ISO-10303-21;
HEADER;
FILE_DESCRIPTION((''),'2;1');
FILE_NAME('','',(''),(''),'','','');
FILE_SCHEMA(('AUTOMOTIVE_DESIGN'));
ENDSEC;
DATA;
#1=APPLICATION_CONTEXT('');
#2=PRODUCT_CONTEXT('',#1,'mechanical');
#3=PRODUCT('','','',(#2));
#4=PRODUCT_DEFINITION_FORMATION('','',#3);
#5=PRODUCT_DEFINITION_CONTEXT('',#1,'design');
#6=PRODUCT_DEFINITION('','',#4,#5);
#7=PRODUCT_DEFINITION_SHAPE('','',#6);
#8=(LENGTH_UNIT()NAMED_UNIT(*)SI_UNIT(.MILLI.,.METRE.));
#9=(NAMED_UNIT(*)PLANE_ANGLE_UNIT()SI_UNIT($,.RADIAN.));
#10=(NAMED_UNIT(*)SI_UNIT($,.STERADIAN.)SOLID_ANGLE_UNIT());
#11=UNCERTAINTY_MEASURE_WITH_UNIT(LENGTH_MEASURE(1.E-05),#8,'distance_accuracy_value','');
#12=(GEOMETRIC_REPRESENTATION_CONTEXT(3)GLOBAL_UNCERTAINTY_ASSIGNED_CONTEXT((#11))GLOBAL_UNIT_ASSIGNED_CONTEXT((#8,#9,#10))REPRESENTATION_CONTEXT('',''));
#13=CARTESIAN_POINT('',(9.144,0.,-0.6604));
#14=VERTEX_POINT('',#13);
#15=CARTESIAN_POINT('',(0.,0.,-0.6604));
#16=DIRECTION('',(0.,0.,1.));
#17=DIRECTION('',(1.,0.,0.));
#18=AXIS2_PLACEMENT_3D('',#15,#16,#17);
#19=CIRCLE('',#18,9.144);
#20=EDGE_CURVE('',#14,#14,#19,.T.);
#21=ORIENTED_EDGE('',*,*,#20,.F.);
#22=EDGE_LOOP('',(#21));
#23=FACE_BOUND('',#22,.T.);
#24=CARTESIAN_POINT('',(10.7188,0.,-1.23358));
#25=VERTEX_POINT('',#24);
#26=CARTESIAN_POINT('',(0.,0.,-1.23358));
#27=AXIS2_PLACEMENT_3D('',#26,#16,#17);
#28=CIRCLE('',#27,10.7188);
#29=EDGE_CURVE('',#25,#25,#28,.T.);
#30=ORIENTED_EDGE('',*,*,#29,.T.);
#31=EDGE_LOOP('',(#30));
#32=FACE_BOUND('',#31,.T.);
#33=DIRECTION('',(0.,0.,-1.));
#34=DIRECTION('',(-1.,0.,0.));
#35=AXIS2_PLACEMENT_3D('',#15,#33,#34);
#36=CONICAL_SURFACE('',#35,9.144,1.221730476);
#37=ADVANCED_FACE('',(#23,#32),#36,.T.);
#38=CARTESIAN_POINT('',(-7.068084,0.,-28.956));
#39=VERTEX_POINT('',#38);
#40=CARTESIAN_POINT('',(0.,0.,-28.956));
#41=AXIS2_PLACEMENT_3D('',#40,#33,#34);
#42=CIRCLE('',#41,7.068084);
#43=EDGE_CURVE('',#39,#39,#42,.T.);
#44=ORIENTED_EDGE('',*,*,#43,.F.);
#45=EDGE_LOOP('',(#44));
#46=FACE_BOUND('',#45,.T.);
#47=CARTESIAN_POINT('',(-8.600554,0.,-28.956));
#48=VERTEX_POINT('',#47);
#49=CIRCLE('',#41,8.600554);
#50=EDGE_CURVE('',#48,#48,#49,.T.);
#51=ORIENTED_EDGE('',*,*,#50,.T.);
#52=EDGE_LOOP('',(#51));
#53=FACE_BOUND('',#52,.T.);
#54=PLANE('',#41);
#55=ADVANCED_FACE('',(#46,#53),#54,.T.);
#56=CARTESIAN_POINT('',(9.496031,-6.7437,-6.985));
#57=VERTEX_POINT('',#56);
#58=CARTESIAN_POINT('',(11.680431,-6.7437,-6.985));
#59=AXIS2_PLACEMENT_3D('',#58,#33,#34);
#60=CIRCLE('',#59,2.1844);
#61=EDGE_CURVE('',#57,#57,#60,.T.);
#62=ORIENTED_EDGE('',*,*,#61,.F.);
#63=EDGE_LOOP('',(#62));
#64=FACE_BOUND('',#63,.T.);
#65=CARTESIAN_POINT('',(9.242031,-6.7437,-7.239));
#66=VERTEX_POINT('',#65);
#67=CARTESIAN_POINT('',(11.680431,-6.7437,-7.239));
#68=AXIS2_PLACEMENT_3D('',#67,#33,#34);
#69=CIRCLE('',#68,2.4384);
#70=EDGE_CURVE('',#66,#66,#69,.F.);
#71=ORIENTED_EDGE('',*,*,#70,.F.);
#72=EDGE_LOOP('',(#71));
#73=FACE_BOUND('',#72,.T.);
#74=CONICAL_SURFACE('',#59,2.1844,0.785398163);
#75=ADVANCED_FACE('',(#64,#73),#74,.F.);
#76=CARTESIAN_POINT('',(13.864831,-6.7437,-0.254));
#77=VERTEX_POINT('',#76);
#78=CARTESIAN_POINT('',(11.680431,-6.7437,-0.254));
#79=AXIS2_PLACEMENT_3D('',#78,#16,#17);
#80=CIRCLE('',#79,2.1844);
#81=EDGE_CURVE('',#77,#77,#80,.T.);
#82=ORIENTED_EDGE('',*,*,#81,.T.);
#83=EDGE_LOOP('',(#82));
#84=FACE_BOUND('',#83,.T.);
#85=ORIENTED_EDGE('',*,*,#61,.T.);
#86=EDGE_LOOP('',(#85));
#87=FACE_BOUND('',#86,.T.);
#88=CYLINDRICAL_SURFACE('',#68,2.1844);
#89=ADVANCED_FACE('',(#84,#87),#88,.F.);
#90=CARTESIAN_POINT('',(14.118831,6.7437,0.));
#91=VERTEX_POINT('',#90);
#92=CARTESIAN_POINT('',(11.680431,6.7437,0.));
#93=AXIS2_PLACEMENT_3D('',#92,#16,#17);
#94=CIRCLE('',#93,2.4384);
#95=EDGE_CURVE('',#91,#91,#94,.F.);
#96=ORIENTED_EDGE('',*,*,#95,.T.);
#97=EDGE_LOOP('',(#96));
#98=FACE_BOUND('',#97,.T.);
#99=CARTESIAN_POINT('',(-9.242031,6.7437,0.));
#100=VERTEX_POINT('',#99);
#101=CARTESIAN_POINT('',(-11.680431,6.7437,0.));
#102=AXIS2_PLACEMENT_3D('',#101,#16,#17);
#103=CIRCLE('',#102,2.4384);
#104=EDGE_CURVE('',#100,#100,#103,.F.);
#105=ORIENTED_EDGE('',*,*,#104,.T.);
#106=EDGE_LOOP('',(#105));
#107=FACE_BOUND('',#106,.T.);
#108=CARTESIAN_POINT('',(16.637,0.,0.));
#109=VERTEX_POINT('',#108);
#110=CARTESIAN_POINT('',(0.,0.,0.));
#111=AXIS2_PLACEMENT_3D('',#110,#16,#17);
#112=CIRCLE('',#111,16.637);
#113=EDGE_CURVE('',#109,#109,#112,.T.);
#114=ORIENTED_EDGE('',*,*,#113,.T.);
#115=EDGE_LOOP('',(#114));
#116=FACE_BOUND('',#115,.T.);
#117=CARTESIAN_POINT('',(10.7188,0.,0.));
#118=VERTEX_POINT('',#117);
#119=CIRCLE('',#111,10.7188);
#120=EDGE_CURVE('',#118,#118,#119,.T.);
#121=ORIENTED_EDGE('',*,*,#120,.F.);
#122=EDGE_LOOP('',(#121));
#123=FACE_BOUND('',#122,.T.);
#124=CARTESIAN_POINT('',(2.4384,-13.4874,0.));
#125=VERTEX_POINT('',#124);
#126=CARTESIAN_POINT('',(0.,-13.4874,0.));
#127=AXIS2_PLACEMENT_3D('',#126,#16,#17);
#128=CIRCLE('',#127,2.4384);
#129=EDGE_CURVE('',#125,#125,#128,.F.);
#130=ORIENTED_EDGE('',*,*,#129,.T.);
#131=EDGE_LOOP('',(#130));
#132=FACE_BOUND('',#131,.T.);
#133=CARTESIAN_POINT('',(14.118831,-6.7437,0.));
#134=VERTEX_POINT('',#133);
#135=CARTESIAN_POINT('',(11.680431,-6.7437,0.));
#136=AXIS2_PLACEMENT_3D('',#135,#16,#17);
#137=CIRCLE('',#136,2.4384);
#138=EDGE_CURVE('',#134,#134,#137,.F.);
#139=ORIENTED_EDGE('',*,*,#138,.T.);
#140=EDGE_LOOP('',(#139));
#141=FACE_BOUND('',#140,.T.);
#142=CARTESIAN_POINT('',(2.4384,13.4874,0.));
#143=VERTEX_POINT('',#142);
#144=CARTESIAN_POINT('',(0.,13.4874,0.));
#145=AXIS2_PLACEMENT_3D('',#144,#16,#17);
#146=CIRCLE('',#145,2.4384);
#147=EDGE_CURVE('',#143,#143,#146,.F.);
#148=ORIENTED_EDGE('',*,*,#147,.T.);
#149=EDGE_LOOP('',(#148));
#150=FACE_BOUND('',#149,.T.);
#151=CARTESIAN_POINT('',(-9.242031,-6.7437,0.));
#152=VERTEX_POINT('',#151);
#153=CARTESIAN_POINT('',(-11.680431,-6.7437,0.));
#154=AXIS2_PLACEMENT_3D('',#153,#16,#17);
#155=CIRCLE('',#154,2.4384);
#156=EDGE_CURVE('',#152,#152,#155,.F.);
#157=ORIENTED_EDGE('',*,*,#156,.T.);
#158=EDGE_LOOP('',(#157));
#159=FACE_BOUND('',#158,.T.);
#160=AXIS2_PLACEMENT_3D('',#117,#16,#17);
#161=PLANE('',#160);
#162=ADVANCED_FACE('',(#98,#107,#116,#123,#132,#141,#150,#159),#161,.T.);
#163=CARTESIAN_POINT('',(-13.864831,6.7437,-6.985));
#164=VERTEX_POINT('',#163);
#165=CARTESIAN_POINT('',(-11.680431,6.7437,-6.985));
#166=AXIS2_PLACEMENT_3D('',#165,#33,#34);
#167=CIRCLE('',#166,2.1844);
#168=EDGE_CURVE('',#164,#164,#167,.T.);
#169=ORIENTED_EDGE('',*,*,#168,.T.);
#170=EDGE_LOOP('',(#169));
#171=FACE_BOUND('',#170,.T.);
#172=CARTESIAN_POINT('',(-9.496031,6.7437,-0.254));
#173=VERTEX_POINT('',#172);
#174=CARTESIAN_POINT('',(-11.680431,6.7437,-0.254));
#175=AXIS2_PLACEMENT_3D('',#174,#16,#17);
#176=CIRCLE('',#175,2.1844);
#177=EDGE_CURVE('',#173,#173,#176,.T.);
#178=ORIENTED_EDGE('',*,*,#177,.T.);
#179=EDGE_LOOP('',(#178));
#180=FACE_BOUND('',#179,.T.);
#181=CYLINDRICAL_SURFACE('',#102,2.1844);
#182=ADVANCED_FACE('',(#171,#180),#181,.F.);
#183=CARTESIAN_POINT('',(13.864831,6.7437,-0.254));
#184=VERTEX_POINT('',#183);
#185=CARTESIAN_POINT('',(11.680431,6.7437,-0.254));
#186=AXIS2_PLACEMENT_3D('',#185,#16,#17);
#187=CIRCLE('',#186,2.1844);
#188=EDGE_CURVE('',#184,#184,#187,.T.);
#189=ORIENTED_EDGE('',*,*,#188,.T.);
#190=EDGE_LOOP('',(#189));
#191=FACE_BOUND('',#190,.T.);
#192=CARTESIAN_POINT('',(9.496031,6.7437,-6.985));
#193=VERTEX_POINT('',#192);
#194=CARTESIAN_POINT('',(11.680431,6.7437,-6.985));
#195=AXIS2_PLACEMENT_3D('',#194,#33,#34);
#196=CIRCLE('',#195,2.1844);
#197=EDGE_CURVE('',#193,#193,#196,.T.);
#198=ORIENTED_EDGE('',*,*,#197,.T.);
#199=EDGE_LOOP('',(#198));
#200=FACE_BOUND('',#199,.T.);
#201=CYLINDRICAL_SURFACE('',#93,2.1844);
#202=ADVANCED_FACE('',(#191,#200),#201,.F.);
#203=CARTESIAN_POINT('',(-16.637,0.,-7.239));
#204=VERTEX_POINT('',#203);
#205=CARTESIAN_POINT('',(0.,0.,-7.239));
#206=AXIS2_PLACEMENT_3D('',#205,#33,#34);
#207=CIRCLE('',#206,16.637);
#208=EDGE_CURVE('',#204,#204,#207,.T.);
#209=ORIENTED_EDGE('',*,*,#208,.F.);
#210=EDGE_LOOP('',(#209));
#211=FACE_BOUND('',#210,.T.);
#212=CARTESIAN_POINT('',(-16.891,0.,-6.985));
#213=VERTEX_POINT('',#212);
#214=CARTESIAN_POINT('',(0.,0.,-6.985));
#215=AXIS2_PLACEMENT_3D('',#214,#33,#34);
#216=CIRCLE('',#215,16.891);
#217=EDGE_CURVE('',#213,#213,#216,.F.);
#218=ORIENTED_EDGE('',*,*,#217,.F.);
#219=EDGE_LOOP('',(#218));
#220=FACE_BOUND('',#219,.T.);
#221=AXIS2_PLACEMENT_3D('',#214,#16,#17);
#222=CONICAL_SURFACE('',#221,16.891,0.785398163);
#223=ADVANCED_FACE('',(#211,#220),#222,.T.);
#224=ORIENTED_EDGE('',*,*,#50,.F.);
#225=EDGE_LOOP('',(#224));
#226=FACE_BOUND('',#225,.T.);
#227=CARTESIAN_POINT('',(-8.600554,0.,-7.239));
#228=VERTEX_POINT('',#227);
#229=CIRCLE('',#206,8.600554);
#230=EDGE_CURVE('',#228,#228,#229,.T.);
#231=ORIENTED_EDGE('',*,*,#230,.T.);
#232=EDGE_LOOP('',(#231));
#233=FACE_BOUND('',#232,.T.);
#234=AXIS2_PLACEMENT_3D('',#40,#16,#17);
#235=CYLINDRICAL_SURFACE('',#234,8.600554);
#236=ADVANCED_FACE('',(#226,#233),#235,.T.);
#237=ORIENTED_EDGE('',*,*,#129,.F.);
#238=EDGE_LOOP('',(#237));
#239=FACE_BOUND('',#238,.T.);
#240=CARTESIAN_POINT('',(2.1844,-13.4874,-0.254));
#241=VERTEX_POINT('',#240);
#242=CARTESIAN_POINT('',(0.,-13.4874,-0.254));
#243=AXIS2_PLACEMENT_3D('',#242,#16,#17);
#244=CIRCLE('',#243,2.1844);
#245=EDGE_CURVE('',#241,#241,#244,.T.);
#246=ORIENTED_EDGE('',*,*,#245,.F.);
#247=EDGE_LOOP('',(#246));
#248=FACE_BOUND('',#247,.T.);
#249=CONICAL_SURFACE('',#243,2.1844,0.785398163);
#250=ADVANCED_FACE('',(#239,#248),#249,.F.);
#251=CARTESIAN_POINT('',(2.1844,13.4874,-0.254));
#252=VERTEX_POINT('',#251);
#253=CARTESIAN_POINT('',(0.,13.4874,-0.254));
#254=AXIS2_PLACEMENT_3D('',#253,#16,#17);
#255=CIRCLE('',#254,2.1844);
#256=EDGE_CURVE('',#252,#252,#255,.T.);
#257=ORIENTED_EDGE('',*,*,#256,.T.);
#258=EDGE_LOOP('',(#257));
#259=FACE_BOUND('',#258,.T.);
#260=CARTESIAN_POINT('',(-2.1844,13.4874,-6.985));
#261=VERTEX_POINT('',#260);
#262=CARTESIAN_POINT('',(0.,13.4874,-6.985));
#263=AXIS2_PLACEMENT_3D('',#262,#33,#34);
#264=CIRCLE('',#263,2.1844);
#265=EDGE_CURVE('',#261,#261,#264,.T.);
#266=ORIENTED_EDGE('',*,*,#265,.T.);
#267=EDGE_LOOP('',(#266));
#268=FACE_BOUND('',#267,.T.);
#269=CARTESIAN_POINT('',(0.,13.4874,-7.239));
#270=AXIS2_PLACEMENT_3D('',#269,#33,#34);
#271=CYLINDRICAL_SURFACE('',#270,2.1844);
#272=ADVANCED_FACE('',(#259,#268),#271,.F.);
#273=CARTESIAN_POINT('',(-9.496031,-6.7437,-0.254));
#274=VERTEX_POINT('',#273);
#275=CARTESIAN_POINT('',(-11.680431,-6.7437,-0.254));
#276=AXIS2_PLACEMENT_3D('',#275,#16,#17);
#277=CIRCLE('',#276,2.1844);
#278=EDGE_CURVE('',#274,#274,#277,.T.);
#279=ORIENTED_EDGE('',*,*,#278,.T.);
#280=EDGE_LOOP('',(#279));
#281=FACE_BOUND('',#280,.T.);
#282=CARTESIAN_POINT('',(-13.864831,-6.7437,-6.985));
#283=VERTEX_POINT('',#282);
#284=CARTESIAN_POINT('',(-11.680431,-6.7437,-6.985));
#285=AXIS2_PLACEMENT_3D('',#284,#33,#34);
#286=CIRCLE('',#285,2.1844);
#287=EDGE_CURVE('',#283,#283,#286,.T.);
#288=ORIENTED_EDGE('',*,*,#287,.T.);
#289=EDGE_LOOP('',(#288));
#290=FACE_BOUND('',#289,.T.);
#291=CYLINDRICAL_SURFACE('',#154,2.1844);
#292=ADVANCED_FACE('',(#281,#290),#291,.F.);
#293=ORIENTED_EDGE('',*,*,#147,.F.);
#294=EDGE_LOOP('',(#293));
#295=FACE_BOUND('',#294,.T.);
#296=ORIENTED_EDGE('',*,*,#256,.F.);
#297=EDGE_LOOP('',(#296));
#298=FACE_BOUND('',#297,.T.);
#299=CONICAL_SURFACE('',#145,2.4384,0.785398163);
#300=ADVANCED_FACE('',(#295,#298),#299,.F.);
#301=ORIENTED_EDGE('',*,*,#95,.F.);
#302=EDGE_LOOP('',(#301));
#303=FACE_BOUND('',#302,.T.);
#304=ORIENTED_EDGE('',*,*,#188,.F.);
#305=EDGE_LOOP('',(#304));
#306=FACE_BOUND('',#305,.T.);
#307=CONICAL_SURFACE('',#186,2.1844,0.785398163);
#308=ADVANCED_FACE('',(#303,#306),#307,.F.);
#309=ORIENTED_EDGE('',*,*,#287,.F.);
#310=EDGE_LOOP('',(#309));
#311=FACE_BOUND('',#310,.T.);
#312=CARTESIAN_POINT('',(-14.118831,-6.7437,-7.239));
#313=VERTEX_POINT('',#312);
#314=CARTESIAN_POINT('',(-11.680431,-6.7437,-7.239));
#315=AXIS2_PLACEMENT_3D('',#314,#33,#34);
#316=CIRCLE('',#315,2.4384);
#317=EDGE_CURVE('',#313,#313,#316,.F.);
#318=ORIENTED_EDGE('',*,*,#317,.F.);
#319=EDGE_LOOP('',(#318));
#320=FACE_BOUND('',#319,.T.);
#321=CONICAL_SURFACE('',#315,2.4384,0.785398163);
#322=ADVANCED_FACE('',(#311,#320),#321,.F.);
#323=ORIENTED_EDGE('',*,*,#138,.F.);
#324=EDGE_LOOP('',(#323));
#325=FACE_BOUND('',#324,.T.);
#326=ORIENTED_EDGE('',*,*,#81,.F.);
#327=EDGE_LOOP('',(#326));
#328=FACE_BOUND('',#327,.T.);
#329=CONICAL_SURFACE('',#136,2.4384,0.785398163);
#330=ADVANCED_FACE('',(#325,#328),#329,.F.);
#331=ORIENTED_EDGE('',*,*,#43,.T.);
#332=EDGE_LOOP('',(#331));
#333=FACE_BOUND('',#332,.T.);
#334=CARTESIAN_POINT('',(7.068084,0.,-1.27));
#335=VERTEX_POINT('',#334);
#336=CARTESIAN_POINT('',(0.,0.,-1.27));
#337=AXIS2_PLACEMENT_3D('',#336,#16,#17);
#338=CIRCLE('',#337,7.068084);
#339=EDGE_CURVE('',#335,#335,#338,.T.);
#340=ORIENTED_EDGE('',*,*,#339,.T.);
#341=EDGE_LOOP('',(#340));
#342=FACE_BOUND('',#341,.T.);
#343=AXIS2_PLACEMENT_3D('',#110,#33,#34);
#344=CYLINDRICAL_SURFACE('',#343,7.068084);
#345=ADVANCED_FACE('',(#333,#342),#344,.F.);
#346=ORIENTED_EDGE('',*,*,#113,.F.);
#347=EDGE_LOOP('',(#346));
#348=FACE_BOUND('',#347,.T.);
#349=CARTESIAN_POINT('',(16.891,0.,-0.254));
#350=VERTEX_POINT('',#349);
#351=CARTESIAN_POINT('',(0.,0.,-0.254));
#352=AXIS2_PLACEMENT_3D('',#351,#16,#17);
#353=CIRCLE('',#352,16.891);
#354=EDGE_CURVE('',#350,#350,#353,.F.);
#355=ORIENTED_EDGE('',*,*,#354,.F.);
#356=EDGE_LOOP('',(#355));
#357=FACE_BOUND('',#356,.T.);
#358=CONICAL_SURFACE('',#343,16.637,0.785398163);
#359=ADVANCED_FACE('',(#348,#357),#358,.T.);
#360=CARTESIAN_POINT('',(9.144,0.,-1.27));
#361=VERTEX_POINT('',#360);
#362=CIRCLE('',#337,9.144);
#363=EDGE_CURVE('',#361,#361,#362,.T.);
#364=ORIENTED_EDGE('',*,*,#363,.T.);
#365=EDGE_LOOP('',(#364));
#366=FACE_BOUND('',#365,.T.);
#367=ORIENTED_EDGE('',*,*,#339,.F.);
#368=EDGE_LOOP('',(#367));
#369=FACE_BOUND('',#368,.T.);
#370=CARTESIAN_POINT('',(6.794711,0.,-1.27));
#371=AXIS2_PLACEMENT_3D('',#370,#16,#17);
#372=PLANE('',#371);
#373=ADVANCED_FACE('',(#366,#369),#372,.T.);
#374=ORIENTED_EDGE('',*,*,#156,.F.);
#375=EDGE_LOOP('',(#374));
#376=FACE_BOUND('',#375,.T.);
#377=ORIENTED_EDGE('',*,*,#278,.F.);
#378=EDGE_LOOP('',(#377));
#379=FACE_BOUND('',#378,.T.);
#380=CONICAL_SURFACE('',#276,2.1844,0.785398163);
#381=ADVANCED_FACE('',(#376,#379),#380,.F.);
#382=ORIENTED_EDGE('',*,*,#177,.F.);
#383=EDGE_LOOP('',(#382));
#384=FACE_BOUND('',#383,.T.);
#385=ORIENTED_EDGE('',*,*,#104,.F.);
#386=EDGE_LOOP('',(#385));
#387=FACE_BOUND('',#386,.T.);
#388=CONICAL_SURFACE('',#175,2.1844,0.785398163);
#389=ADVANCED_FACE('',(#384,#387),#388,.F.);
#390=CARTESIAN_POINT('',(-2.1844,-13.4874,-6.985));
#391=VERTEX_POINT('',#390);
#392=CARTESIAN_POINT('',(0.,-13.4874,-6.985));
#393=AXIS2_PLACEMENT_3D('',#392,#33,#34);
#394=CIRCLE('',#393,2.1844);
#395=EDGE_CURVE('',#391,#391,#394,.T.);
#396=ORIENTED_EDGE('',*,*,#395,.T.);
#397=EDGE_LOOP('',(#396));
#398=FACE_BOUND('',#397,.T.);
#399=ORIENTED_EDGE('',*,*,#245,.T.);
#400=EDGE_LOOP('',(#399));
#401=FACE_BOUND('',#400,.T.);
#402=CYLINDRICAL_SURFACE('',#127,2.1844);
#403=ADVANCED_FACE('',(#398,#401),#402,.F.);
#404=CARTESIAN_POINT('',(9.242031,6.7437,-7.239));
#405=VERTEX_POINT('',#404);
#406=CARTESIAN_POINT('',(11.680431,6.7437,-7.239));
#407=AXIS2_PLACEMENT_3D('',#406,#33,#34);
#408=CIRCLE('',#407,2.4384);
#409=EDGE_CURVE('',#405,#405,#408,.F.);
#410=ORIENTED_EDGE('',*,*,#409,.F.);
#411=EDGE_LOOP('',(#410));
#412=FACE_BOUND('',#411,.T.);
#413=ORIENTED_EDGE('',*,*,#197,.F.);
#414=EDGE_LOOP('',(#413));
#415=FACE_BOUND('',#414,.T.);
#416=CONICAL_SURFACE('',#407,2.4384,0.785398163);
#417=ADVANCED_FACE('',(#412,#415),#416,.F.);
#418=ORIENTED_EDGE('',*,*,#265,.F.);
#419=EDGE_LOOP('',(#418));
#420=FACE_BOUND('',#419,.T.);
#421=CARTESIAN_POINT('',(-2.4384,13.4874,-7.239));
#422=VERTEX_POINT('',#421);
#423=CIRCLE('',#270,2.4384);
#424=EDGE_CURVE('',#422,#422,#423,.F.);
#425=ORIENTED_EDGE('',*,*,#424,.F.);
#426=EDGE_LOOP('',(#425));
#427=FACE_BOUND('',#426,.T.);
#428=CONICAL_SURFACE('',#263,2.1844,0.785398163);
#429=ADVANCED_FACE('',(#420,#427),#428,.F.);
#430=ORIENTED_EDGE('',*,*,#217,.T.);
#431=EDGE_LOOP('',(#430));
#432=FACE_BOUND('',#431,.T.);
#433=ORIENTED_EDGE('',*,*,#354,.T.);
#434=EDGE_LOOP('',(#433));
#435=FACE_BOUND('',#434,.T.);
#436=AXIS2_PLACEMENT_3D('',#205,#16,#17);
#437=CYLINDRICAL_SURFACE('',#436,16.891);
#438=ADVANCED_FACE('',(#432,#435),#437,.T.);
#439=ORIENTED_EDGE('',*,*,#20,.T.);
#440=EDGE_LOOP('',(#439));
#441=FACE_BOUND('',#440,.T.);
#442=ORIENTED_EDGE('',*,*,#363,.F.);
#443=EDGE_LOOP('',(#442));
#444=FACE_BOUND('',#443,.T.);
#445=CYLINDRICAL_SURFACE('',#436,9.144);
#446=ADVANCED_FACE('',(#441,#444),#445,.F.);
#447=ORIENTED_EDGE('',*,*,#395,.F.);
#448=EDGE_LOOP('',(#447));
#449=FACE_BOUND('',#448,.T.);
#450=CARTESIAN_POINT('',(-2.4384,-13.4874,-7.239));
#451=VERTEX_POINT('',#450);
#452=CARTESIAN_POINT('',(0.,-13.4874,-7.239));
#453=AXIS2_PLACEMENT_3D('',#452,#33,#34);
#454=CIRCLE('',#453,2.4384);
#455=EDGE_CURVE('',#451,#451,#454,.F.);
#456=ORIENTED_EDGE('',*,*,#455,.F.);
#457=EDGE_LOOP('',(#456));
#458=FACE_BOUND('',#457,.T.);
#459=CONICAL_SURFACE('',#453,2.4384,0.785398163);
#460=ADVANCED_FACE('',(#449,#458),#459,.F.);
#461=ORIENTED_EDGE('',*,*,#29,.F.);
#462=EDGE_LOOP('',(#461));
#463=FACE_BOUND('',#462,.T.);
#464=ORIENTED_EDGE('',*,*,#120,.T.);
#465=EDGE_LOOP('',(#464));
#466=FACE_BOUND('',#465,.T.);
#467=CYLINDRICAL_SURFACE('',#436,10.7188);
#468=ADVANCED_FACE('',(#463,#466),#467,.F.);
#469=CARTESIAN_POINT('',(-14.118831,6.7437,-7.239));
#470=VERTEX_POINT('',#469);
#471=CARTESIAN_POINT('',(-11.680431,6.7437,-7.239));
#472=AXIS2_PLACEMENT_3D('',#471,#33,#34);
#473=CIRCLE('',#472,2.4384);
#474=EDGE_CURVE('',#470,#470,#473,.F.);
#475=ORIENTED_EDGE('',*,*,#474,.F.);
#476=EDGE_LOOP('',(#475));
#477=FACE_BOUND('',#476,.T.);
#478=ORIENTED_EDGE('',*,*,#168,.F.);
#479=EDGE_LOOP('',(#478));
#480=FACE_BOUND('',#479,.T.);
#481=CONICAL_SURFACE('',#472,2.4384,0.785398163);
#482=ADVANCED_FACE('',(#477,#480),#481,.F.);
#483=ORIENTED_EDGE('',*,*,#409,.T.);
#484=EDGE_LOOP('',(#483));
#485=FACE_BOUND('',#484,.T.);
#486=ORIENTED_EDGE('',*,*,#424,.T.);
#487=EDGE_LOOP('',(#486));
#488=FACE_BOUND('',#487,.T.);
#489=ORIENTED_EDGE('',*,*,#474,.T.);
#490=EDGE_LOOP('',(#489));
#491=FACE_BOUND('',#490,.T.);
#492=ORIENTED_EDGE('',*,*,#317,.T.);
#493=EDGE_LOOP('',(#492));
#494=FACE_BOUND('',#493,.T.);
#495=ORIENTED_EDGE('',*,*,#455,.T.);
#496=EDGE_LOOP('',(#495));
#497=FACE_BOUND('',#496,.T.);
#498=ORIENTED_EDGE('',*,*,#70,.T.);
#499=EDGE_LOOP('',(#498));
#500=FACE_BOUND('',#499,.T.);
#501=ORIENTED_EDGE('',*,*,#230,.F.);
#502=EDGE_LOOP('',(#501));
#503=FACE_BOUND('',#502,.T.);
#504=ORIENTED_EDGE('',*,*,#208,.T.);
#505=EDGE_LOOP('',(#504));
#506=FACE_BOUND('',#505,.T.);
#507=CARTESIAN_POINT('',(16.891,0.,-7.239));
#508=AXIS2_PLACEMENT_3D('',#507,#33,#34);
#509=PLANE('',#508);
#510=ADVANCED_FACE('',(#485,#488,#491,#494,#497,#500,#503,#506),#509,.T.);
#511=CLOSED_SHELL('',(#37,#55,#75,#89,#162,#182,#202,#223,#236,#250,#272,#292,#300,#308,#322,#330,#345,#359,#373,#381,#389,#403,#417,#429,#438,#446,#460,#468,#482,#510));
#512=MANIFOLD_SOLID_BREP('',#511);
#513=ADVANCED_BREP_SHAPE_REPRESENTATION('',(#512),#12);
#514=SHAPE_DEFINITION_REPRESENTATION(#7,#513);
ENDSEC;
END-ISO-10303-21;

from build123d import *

# Parameters (mm, degrees)
M8_CLEARANCE_HOLE1_D     = 9.5758
M8_CLEARANCE_HOLE1_DEPTH = 7.239
M4_CLEARANCE_HOLE1_D     = 4.3688
M4_CLEARANCE_HOLE1_DEPTH = 7.239
M4_CLEARANCE_HOLE2_D     = 4.3688
M4_CLEARANCE_HOLE2_DEPTH = 7.239
CHAMFER1_SIZE            = 0.254
SKETCH8_R                = 8.600554372
BOSS_EXTRUDE1_DEPTH      = 21.717
SKETCH9_R                = 7.068084354
CUT_EXTRUDE1_DEPTH       = 29.956


with BuildPart() as part:
    # Sketch1 → Revolve1 (revolve)
    with BuildSketch(Plane(origin=(0, 0, 0), x_dir=(1, 0, 0), z_dir=(0, 1, 0))):
        with BuildLine():
            Line((16.891, 7.239), (0, 7.239))
            Line((0, 7.239), (0, 1.27))
            Line((0, 1.27), (5.321088826, 1.27))
            ThreePointArc((5.321088826, 1.27), (6.0579, 1.83769793), (6.794711174, 1.27))
            Line((6.794711174, 1.27), (9.144, 1.27))
            Line((9.144, 1.27), (9.144, 0.6604))
            Line((9.144, 0.6604), (10.7188, 1.233580325))
            Line((10.7188, 1.233580325), (10.7188, 0))
            Line((10.7188, 0), (16.891, 0))
            Line((16.891, 0), (16.891, 7.239))
        make_face()
    revolve(axis=Axis((0, 0, -7.239), (0, 0, 1)))

    # M8 Clearance Hole1
    with Locations(Plane(origin=(0, 0, -7.239), x_dir=(-1, 0, 0), z_dir=(0, 0, -1))):
        with Locations((0, 0)):
            Hole(M8_CLEARANCE_HOLE1_D / 2, depth=M8_CLEARANCE_HOLE1_DEPTH)

    # M4 Clearance Hole1
    with Locations(Plane.XY):
        with Locations((11.680431031, 6.7437), (0, -13.4874), (-11.680431031, -6.7437), (-11.680431031, 6.7437)):
            Hole(M4_CLEARANCE_HOLE1_D / 2, depth=M4_CLEARANCE_HOLE1_DEPTH)

    # M4 Clearance Hole2
    with Locations(Plane(origin=(0, 0, -7.239), x_dir=(-1, 0, 0), z_dir=(0, 0, -1))):
        with Locations((0, 13.4874), (-11.680431031, -6.7437)):
            Hole(M4_CLEARANCE_HOLE2_D / 2, depth=M4_CLEARANCE_HOLE2_DEPTH)

    # Chamfer1
    chamfer1_edges = [part.edges().sort_by_distance(p)[0] for p in [
        (-16.891, 0, 0),
        (-9.496031031, 6.7437, 0),
        (-9.496031031, 6.7437, -7.239),
        (-9.496031031, -6.7437, 0),
        (-9.496031031, -6.7437, -7.239),
        (2.1844, -13.4874, 0),
        (2.1844, -13.4874, -7.239),
        (13.864831031, 6.7437, 0),
        (13.864831031, 6.7437, -7.239),
        (9.496031031, -6.7437, -7.239),
        (9.496031031, -6.7437, 0),
        (-2.1844, 13.4874, -7.239),
        (-2.1844, 13.4874, 0),
        (-16.891, 0, -7.239),
    ]]
    chamfer(chamfer1_edges, length=CHAMFER1_SIZE)

    # Sketch8 → Boss-Extrude1 (add)
    with BuildSketch(Plane(origin=(0, 0, -7.239), x_dir=(-1, 0, 0), z_dir=(0, 0, -1))):
        Circle(SKETCH8_R)
    extrude(amount=BOSS_EXTRUDE1_DEPTH)

    # Sketch9 → Cut-Extrude1 (cut, through all)
    with BuildSketch(Plane(origin=(0, 0, -28.956), x_dir=(-1, 0, 0), z_dir=(0, 0, -1))):
        Circle(SKETCH9_R)
    extrude(amount=-CUT_EXTRUDE1_DEPTH, mode=Mode.SUBTRACT)


solid = part.part
